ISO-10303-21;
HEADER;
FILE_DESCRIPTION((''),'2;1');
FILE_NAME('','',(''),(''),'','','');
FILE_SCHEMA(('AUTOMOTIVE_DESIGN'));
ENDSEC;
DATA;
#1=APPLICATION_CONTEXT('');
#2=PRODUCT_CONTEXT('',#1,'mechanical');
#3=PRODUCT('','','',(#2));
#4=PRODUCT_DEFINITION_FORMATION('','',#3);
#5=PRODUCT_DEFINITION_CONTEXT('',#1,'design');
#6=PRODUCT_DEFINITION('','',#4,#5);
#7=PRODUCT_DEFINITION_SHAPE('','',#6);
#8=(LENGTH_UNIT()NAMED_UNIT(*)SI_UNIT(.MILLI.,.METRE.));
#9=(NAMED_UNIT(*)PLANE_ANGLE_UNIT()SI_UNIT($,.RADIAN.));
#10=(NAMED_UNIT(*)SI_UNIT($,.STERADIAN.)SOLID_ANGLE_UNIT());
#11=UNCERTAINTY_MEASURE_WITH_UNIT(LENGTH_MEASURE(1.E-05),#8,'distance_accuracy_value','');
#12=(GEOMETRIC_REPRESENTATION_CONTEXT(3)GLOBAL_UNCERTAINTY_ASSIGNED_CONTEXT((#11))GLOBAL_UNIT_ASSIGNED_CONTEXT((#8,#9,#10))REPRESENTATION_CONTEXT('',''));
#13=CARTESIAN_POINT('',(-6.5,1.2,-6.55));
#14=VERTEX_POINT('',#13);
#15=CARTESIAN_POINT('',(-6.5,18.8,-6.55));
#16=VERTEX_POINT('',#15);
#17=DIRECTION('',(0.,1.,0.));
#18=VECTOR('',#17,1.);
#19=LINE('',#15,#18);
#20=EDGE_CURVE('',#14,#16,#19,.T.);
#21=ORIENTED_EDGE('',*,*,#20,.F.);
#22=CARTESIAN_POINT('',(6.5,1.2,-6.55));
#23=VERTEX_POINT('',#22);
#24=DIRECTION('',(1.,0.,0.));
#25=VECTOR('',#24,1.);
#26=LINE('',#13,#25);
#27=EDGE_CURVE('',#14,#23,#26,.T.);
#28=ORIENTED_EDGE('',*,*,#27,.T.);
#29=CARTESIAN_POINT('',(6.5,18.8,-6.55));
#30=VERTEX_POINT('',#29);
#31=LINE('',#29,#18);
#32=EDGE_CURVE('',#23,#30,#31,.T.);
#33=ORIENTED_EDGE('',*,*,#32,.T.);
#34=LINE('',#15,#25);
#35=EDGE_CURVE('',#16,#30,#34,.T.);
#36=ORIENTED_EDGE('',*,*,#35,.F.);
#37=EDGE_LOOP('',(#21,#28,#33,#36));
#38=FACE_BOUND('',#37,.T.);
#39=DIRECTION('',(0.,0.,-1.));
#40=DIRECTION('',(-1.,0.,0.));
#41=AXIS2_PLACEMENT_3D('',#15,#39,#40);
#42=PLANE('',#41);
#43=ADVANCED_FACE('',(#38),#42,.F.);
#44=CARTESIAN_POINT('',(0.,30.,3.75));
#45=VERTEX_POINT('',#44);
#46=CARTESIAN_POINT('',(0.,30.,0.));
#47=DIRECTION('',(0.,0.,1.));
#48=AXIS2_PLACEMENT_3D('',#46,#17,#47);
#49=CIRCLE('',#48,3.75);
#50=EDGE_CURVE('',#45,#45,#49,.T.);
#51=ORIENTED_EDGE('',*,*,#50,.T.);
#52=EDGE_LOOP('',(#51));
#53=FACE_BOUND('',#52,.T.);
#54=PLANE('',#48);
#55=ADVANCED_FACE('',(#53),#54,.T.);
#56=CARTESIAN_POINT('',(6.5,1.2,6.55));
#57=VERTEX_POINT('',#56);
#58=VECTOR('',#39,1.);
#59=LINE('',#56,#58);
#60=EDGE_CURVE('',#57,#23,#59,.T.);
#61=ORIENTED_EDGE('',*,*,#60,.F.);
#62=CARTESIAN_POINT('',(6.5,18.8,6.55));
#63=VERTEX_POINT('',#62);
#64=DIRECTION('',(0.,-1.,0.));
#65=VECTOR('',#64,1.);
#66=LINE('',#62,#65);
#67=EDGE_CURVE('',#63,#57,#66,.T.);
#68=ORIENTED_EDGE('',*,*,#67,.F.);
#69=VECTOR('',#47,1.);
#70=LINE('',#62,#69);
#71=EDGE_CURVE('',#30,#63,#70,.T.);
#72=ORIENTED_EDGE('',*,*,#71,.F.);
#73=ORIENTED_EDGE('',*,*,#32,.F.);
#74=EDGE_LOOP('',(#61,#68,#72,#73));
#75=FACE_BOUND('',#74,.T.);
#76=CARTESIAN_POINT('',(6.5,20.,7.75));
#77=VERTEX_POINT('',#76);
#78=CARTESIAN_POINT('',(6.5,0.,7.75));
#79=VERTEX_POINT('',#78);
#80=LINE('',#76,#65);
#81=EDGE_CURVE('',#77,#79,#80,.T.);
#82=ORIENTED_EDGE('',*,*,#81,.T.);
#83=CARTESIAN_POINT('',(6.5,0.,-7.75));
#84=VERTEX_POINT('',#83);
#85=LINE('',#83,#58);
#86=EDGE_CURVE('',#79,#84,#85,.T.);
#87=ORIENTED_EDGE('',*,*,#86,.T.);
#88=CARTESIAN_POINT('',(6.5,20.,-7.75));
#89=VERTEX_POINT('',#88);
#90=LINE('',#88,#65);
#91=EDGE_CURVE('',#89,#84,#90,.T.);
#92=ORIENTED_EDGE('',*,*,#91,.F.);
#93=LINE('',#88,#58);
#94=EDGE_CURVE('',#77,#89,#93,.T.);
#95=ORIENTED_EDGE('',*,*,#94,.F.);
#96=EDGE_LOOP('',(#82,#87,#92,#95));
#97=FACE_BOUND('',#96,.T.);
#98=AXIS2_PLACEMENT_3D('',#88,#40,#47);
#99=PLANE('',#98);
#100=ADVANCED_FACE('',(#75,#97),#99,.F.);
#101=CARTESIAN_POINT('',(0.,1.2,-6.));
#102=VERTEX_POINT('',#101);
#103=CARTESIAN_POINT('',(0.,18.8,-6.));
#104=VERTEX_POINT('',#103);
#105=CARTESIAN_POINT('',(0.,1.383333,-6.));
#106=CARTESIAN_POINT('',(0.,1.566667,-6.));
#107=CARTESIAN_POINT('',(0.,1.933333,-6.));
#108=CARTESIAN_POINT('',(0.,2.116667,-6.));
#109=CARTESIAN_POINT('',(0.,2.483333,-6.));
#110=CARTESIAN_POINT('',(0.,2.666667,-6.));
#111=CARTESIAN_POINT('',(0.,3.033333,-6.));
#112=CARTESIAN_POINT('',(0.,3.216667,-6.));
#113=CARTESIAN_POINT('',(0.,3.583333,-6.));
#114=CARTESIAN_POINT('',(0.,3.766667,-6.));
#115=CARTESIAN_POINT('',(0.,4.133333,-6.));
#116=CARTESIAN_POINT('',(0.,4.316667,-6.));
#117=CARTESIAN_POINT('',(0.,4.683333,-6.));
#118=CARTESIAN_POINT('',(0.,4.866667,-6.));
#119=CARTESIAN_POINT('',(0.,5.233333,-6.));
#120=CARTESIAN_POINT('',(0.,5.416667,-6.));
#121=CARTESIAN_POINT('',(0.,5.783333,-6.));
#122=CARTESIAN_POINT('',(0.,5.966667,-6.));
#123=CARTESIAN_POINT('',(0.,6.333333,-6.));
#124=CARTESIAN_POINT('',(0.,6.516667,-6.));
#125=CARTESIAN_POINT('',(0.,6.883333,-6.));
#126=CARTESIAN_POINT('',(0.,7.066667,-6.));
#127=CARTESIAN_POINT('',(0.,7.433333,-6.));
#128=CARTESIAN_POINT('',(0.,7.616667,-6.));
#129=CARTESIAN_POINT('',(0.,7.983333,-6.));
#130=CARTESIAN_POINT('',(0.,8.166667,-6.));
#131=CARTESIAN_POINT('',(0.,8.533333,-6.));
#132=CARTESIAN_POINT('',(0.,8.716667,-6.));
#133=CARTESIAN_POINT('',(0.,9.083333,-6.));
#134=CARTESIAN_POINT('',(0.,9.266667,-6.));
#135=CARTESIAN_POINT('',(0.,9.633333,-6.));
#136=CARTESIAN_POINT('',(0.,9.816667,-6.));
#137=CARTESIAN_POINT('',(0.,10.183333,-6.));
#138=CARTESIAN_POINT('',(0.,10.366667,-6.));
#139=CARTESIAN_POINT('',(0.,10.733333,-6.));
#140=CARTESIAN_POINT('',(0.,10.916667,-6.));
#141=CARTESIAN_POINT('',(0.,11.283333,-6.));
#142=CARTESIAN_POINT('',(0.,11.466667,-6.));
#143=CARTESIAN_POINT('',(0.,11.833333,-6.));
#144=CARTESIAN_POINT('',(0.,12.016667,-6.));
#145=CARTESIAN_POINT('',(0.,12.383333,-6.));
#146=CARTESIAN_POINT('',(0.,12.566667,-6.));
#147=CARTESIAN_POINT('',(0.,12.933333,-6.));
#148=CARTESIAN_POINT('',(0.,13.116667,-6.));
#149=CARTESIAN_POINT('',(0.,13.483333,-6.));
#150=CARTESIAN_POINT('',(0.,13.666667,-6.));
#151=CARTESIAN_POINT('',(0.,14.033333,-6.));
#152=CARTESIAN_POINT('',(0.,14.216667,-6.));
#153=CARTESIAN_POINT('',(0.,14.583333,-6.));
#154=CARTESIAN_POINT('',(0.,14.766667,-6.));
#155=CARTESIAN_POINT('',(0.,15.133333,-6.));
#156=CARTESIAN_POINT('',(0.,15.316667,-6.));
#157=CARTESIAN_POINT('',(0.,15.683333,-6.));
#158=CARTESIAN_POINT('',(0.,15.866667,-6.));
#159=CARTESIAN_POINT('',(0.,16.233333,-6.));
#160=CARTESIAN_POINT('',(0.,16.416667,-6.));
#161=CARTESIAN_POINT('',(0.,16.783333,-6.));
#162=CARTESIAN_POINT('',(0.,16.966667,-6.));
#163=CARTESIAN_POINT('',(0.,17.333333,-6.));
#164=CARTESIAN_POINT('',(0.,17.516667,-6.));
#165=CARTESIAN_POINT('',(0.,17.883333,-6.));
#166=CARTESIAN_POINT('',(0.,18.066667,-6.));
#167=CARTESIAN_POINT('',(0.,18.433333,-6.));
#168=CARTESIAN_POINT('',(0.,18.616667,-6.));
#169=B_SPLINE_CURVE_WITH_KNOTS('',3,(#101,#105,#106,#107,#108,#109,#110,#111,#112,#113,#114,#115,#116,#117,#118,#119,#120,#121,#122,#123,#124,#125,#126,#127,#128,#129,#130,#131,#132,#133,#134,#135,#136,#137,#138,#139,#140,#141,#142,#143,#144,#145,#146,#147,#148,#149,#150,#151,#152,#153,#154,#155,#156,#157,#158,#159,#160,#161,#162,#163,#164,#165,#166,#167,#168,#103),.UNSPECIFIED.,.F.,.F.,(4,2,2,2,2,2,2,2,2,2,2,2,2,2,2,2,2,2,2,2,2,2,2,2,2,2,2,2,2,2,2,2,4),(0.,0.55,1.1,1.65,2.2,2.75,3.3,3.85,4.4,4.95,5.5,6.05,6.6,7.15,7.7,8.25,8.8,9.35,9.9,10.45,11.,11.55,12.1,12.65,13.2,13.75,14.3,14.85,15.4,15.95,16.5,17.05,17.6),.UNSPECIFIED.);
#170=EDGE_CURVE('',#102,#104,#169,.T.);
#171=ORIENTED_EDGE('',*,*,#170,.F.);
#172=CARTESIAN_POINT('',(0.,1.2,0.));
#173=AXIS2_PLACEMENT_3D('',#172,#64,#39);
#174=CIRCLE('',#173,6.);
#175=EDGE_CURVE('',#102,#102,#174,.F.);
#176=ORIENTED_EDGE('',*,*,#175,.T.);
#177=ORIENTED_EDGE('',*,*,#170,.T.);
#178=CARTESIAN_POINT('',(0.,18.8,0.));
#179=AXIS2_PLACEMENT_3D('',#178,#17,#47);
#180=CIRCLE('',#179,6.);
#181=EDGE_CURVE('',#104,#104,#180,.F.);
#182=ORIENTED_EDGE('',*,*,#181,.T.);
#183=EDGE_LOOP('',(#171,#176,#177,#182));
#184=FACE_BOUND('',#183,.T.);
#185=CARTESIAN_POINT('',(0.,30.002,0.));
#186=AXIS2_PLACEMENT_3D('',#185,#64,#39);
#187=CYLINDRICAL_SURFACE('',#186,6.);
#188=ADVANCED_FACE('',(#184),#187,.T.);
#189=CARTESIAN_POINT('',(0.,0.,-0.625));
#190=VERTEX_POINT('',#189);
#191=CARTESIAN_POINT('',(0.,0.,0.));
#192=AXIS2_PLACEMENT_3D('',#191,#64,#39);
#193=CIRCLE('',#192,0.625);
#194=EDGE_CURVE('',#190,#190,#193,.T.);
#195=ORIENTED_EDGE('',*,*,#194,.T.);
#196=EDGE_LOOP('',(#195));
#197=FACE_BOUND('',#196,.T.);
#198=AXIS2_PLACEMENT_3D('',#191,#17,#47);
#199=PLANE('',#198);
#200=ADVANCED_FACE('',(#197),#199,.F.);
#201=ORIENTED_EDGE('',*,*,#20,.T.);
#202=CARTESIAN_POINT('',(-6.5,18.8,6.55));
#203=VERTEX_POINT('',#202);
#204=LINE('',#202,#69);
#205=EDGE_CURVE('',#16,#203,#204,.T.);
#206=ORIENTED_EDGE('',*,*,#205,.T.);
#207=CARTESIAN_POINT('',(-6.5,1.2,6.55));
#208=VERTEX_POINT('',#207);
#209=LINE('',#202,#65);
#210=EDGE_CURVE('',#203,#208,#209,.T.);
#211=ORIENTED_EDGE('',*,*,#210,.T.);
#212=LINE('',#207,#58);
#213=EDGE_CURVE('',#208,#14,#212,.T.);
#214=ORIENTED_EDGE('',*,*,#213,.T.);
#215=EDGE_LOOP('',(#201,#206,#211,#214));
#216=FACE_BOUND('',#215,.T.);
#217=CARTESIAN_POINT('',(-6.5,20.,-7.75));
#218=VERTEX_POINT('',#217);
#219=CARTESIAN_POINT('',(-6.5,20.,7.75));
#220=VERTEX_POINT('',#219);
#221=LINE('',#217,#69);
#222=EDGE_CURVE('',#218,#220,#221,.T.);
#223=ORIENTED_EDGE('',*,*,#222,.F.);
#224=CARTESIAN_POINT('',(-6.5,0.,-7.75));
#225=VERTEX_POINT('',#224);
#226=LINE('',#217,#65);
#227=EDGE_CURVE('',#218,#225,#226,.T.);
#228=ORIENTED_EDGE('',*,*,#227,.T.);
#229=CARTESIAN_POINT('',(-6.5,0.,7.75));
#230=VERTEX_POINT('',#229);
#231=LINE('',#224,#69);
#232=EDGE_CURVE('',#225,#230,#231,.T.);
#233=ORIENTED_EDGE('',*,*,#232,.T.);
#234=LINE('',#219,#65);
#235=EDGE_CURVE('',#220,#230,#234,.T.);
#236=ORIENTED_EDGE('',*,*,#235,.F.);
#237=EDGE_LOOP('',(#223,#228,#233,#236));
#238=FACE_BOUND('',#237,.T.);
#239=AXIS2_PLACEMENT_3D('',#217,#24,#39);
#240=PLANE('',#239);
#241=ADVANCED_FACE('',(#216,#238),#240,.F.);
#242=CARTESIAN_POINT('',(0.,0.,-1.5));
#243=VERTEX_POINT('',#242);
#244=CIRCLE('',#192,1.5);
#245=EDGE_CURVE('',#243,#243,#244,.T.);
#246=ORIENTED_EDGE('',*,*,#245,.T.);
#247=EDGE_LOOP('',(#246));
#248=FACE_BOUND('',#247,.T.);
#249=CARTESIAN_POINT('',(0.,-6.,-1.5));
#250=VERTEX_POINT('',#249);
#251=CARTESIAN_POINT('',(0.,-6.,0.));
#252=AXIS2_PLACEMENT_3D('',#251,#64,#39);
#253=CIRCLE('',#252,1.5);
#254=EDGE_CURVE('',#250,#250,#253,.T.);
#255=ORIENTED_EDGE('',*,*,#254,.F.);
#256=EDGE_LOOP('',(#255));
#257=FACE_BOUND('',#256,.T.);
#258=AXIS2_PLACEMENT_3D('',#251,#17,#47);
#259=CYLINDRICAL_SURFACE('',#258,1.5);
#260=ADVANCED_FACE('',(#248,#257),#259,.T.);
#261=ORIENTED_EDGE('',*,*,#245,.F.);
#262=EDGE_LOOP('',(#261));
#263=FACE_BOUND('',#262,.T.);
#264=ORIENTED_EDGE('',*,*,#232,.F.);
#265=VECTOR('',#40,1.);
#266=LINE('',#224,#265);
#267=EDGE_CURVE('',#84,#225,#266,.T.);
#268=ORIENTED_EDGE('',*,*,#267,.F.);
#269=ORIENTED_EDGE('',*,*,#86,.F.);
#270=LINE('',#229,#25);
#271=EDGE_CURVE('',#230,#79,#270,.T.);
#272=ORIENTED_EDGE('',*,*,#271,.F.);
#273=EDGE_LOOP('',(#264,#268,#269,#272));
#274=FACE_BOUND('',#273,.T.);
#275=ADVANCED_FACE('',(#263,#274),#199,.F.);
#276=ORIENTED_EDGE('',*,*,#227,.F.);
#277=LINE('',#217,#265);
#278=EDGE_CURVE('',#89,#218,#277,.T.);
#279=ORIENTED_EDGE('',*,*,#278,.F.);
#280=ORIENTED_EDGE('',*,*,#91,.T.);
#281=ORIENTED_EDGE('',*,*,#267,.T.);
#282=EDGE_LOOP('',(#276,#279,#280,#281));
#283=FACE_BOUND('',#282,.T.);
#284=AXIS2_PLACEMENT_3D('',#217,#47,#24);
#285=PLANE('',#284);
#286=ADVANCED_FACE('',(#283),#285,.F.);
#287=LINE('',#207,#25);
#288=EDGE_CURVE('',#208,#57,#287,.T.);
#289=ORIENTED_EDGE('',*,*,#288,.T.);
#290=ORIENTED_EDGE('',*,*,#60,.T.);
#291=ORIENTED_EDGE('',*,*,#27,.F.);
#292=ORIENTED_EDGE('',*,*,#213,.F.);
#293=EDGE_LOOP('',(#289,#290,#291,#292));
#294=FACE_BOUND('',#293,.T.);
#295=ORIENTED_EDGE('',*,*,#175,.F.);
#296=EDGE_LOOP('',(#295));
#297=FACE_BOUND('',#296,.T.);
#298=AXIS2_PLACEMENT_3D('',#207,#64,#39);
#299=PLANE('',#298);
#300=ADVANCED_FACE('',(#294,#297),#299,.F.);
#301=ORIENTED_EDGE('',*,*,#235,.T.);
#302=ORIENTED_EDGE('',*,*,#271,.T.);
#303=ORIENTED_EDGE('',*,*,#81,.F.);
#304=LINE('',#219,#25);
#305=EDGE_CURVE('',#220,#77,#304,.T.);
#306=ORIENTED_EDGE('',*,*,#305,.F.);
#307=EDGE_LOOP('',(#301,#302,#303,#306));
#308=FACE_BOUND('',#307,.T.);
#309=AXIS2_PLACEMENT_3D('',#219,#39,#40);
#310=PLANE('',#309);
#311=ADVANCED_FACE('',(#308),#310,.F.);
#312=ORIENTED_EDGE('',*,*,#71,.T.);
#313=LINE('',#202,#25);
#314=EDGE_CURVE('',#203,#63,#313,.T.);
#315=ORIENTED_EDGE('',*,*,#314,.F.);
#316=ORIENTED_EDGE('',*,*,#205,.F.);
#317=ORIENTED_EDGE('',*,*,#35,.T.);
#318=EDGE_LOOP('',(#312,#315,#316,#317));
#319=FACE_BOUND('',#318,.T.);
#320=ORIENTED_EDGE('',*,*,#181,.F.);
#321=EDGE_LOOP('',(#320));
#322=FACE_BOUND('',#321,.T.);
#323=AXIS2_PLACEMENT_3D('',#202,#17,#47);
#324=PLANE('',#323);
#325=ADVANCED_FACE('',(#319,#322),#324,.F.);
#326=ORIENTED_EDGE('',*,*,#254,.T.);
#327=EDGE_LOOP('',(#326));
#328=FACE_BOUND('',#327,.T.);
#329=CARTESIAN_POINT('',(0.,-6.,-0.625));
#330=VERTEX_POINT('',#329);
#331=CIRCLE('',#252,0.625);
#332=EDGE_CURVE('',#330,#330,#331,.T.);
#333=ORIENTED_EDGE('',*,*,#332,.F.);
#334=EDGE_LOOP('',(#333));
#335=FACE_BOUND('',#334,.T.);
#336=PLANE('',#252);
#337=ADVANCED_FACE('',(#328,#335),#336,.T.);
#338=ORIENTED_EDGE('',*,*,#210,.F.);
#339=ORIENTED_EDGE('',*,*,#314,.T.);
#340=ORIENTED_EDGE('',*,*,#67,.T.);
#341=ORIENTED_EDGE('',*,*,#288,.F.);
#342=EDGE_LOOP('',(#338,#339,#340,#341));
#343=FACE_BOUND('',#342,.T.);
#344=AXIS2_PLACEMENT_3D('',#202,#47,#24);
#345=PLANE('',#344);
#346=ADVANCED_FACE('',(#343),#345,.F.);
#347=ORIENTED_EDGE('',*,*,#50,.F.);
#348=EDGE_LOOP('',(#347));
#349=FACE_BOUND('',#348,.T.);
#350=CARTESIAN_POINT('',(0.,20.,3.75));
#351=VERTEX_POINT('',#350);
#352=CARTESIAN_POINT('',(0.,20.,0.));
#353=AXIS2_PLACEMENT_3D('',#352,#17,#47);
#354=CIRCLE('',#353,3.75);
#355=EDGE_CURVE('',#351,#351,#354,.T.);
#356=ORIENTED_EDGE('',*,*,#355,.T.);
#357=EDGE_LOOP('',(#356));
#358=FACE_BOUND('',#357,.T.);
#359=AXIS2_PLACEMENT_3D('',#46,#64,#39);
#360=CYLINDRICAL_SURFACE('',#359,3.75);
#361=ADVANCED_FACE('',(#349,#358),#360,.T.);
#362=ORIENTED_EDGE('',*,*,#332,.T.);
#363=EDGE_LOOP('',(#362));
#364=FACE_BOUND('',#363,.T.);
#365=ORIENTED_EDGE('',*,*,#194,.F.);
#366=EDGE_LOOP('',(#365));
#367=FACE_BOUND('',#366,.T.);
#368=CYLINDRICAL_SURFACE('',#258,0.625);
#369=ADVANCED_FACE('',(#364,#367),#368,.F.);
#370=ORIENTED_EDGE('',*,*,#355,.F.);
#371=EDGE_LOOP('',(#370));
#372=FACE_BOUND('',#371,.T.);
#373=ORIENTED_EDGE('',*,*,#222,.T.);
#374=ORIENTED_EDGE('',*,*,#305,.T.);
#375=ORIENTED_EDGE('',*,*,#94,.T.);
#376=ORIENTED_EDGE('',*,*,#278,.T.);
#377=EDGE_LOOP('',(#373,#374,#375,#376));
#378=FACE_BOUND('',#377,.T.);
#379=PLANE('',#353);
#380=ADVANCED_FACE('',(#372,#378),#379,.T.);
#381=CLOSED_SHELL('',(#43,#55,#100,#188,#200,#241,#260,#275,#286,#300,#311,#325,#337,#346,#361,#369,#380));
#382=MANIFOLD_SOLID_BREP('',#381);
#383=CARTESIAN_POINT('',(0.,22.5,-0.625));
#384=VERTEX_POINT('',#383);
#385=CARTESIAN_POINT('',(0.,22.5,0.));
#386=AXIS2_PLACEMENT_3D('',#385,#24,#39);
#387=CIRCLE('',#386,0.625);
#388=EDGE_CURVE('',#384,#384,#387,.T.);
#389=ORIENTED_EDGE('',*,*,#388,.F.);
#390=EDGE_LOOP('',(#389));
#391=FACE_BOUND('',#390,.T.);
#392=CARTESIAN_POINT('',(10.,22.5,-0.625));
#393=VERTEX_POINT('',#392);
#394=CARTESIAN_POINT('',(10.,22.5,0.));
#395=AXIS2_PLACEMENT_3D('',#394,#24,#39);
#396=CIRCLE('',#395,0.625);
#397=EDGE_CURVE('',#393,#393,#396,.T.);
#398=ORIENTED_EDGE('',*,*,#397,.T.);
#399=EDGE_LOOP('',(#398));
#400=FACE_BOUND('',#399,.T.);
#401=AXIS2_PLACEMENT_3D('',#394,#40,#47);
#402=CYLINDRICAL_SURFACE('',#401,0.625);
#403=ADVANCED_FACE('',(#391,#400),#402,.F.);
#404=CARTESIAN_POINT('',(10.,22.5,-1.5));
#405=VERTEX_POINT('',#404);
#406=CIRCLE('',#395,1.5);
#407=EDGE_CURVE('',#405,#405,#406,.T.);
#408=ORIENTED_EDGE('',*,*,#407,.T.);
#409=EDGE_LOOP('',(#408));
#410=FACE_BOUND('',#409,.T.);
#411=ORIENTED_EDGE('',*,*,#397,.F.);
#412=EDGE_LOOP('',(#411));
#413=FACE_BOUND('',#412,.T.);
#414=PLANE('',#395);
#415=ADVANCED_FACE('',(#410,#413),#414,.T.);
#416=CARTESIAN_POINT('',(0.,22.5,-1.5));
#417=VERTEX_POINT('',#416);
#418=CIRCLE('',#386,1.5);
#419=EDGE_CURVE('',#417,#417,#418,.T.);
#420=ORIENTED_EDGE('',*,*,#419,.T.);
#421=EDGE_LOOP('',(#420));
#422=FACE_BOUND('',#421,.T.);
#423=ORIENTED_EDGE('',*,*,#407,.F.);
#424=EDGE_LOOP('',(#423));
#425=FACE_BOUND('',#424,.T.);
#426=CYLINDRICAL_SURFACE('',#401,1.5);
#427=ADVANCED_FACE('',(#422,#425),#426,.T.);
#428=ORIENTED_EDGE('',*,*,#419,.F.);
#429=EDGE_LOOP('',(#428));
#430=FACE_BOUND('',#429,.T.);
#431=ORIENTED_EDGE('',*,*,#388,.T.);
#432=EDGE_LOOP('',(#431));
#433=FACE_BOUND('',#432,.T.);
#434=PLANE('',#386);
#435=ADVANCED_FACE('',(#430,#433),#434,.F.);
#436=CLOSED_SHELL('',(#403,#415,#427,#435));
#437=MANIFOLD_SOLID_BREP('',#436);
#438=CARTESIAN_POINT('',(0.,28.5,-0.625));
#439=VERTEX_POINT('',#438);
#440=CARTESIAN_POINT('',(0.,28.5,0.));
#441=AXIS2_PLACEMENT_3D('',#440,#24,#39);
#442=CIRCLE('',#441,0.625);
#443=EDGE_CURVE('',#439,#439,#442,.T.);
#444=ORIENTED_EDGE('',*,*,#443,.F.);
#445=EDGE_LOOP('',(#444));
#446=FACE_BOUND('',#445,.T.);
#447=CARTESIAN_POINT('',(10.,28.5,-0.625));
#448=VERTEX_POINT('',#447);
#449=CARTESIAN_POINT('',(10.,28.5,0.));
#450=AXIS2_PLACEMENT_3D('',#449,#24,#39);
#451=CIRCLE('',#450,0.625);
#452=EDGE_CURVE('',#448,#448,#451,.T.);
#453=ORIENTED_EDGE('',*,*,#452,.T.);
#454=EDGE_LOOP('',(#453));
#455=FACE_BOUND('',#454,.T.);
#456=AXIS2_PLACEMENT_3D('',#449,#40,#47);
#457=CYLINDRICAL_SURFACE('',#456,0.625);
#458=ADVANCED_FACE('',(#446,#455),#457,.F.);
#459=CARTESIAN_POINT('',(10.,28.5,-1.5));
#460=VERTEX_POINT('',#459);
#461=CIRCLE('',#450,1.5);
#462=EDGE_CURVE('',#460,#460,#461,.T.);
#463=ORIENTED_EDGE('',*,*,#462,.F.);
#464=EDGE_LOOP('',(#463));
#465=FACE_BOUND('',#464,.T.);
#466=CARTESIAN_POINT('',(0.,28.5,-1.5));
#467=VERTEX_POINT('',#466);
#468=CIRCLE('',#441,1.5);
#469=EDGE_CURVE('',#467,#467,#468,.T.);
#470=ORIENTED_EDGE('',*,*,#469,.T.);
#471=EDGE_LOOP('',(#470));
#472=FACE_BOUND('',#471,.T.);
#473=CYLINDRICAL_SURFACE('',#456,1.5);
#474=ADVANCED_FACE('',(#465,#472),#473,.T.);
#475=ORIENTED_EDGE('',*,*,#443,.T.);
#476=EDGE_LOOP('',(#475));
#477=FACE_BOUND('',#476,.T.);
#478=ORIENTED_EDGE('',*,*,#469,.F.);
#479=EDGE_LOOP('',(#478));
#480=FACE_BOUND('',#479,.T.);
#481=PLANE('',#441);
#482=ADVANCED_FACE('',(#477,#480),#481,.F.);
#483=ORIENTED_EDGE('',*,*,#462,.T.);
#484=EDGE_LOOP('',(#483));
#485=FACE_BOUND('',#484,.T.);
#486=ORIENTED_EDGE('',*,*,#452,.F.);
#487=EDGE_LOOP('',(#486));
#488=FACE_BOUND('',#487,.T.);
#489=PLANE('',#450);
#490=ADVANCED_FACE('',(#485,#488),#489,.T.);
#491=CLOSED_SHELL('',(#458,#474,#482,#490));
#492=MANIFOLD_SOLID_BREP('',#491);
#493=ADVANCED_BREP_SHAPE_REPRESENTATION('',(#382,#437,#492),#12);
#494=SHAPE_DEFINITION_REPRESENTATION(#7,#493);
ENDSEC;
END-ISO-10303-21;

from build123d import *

# Parameters (mm, degrees)
SKETCH_1_W          = 13
SKETCH_1_H          = 15.5
EXTRUDE_291_DEPTH   = 20
SKETCH_2_R          = 1.5
SKETCH_2_R_2        = 0.625
EXTRUDE_3_DEPTH     = 6
SKETCH_3_R          = 3.75
EXTRUDE_583_DEPTH   = 10
SKETCH_4_R          = 1.5
SKETCH_4_R_2        = 0.625
EXTRUDE_746_DEPTH   = 10
EXTRUDE_746_2_DEPTH = 10
SKETCH_6_W          = 13.1
SKETCH_6_H          = 17.6
CUT_EXTRUDE_1_DEPTH = 34.601525263
EXTRUDE_1_REACH     = 33.456
SKETCH_7_R          = 6


with BuildPart() as part:
    # Эскиз1 → Extrude 291 (new body)
    with BuildSketch(Plane(origin=(0, 0, 0), x_dir=(1, 0, 0), z_dir=(0, 1, 0))):
        Rectangle(SKETCH_1_W, SKETCH_1_H)
    extrude(amount=EXTRUDE_291_DEPTH)

    # Эскиз2 → ТрубкаНиз-3мм (add)
    with BuildSketch(Plane.XZ):
        with Locations(Location((0, 0, 0), (0, 0, 270))):
            Circle(SKETCH_2_R)
        with Locations(Location((0, 0, 0), (0, 0, 270))):
            Circle(SKETCH_2_R_2, mode=Mode.SUBTRACT)
    extrude(amount=EXTRUDE_3_DEPTH)

    # Эскиз3 → Extrude 583 (add)
    with BuildSketch(Plane(origin=(0, 20, 0), x_dir=(1, 0, 0), z_dir=(0, 1, 0))):
        with Locations(Location((0, 0, 0), (0, 0, 270))):
            Circle(SKETCH_3_R)
    extrude(amount=EXTRUDE_583_DEPTH)

    # Эскиз6 → Вырез-Вытянуть1 (cut, through all)
    with BuildSketch(Plane(origin=(6.5, 0, 0), x_dir=(0, 0, -1), z_dir=(1, 0, 0))):
        with Locations((0, 10)):
            Rectangle(SKETCH_6_W, SKETCH_6_H)
    extrude(amount=-CUT_EXTRUDE_1_DEPTH, mode=Mode.SUBTRACT)

    # Эскиз7 → Бобышка-Вытянуть1 (add, up to next)
    with BuildSketch(Plane(origin=(0, 1.2, 0), x_dir=(1, 0, 0), z_dir=(0, 1, 0)), mode=Mode.PRIVATE) as extrude_1_sk1:
        with Locations(Location((0, 0, 0), (0, 0, 90))):
            Circle(SKETCH_7_R)
    extrude_1_tool1 = extrude(extrude_1_sk1.sketch, amount=EXTRUDE_1_REACH, mode=Mode.PRIVATE) - part.part
    add(extrude_1_tool1.solids().sort_by_distance((0, 1.2, 0))[0])


with BuildPart() as body_2:
    # Эскиз4 → Extrude 746 (new body)
    with BuildSketch(Plane(origin=(0, 0, 0), x_dir=(0, 0, -1), z_dir=(1, 0, 0))):
        with Locations((0, 28.5)):
            Circle(SKETCH_4_R)
        with Locations((0, 28.5)):
            Circle(SKETCH_4_R_2, mode=Mode.SUBTRACT)
    extrude(amount=EXTRUDE_746_DEPTH)


with BuildPart() as body_3:
    # Эскиз4 → Extrude 746 2 (new body)
    with BuildSketch(Plane(origin=(0, 0, 0), x_dir=(0, 0, -1), z_dir=(1, 0, 0))):
        with Locations((0, 22.5)):
            Circle(SKETCH_4_R)
        with Locations((0, 22.5)):
            Circle(SKETCH_4_R_2, mode=Mode.SUBTRACT)
    extrude(amount=EXTRUDE_746_2_DEPTH)


solid = Compound([part.part, body_2.part, body_3.part])
